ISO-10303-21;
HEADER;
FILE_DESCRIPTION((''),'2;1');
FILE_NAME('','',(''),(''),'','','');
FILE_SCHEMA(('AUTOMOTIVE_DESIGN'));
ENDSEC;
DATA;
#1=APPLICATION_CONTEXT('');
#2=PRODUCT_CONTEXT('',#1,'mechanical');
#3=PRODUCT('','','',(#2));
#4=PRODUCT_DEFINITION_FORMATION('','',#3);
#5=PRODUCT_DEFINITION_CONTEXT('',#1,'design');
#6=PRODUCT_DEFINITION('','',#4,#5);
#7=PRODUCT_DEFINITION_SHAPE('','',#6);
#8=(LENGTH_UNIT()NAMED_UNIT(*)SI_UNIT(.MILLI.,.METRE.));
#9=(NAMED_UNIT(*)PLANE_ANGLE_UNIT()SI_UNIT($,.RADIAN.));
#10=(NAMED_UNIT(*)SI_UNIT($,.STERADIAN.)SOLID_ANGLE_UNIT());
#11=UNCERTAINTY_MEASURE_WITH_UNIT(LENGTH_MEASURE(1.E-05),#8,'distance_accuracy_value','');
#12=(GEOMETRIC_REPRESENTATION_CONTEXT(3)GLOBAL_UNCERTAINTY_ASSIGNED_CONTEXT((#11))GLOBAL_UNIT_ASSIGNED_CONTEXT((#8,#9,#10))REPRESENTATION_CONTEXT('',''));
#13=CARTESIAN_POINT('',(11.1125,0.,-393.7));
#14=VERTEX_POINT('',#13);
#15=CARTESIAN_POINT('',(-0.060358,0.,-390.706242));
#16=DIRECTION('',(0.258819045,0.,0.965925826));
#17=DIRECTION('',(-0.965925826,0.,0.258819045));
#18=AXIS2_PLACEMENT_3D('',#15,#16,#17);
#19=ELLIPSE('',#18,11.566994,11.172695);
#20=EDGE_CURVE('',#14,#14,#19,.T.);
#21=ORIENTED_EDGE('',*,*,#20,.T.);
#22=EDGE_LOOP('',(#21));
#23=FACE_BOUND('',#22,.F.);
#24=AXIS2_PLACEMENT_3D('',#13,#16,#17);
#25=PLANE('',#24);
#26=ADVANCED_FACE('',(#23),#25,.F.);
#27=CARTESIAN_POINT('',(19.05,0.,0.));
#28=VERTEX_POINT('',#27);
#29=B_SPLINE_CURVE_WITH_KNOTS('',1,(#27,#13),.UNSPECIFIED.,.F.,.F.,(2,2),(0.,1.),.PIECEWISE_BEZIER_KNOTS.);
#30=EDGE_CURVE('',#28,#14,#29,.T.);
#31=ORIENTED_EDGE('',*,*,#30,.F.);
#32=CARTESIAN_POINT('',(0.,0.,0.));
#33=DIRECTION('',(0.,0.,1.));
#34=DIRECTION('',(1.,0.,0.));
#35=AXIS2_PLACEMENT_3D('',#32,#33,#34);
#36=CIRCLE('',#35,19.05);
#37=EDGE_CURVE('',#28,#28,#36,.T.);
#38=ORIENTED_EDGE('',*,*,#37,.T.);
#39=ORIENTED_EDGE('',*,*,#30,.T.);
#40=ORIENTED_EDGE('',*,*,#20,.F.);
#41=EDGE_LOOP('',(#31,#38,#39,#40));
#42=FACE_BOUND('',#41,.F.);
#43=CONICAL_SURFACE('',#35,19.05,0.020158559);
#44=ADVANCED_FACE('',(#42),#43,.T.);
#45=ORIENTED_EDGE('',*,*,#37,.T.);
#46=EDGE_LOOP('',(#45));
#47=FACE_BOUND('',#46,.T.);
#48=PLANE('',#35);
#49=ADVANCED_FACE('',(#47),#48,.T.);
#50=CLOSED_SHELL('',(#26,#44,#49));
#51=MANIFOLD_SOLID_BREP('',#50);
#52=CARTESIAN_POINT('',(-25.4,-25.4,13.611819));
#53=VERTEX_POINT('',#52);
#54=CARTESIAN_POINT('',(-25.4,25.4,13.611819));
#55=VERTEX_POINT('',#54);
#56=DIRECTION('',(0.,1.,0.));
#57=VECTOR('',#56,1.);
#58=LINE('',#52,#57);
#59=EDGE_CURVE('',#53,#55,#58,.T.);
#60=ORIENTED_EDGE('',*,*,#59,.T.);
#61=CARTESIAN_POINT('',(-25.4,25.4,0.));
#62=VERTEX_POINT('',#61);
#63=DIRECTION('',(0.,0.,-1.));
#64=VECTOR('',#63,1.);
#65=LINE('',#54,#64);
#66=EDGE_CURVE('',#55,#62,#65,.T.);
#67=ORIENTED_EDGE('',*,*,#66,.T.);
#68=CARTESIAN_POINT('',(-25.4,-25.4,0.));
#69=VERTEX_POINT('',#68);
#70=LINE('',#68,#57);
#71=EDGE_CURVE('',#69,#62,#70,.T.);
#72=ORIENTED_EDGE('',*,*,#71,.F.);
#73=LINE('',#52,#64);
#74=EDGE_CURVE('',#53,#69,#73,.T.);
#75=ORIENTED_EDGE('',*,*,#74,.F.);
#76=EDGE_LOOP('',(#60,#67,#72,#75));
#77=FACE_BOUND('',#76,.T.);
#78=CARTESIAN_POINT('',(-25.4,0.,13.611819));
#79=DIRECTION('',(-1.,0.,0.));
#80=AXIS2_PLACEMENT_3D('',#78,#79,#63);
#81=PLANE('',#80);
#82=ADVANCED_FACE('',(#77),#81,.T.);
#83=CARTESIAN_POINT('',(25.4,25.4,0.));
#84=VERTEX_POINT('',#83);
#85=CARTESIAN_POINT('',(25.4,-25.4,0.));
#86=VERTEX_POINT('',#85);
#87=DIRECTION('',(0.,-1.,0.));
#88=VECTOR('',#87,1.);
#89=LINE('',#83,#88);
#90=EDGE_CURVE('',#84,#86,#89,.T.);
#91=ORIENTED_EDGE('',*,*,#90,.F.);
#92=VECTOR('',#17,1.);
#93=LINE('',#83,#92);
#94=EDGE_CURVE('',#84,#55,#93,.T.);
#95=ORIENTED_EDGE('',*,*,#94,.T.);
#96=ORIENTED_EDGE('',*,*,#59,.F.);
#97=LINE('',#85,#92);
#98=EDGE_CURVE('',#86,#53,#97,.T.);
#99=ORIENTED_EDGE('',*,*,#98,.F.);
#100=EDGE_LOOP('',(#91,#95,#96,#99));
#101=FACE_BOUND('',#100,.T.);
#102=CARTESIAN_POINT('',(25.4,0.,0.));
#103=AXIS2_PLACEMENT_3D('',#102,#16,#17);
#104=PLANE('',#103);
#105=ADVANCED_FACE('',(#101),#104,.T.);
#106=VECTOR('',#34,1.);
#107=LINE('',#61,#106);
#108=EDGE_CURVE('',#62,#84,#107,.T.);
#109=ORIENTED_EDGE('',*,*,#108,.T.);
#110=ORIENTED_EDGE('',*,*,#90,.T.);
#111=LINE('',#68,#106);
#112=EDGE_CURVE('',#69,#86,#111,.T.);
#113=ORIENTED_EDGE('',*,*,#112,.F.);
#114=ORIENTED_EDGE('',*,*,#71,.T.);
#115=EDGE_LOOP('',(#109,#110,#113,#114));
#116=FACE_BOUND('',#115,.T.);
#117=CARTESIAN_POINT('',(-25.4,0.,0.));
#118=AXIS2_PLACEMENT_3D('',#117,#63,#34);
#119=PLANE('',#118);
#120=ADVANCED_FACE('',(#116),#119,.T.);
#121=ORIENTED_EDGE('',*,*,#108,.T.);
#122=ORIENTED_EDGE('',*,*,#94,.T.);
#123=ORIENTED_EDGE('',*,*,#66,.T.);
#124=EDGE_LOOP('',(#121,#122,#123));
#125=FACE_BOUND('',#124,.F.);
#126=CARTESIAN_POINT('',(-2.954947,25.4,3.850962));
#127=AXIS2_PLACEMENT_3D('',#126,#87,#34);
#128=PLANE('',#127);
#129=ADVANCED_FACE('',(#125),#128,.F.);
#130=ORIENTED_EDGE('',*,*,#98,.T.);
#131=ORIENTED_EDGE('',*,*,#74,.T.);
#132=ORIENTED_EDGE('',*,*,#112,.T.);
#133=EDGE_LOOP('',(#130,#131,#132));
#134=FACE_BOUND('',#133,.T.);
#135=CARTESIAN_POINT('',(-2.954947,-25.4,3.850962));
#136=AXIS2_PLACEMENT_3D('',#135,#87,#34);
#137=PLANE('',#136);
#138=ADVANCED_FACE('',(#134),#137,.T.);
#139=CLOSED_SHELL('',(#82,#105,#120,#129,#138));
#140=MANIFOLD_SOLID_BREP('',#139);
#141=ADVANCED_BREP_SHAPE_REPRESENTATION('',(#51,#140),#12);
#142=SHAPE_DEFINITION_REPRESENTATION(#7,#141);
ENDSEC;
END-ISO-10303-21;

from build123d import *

# Parameters (mm, degrees)
F0_R     = 19.05
F2_R     = 11.1125
F5_DEPTH = 25.4
F7_DEPTH = 12.7


with BuildPart() as f3:
    # F0 (on Top) → F3 section 0
    with BuildSketch(Plane.XY):
        Circle(F0_R)
    # F2 (on offset) → F3 section 1
    with BuildSketch(Plane.XY.offset(-393.7)):
        Circle(F2_R)
    loft()

    # F6 (on Front) → F7 (cut, symmetric)
    with BuildSketch(Plane.XZ):
        Polygon((-14.2875, -386.8940905122), (-14.2875, -393.7), (11.1125, -393.7), align=None)
    extrude(amount=F7_DEPTH, both=True, mode=Mode.SUBTRACT)


with BuildPart() as f5:
    # F4 (on Front) → F5 (new body, symmetric)
    with BuildSketch(Plane.XZ):
        Polygon((-25.4, 0), (25.4, 0), (-25.4, 13.6118189755), align=None)
    extrude(amount=F5_DEPTH, both=True)


solid = Compound([f3.part, f5.part])
